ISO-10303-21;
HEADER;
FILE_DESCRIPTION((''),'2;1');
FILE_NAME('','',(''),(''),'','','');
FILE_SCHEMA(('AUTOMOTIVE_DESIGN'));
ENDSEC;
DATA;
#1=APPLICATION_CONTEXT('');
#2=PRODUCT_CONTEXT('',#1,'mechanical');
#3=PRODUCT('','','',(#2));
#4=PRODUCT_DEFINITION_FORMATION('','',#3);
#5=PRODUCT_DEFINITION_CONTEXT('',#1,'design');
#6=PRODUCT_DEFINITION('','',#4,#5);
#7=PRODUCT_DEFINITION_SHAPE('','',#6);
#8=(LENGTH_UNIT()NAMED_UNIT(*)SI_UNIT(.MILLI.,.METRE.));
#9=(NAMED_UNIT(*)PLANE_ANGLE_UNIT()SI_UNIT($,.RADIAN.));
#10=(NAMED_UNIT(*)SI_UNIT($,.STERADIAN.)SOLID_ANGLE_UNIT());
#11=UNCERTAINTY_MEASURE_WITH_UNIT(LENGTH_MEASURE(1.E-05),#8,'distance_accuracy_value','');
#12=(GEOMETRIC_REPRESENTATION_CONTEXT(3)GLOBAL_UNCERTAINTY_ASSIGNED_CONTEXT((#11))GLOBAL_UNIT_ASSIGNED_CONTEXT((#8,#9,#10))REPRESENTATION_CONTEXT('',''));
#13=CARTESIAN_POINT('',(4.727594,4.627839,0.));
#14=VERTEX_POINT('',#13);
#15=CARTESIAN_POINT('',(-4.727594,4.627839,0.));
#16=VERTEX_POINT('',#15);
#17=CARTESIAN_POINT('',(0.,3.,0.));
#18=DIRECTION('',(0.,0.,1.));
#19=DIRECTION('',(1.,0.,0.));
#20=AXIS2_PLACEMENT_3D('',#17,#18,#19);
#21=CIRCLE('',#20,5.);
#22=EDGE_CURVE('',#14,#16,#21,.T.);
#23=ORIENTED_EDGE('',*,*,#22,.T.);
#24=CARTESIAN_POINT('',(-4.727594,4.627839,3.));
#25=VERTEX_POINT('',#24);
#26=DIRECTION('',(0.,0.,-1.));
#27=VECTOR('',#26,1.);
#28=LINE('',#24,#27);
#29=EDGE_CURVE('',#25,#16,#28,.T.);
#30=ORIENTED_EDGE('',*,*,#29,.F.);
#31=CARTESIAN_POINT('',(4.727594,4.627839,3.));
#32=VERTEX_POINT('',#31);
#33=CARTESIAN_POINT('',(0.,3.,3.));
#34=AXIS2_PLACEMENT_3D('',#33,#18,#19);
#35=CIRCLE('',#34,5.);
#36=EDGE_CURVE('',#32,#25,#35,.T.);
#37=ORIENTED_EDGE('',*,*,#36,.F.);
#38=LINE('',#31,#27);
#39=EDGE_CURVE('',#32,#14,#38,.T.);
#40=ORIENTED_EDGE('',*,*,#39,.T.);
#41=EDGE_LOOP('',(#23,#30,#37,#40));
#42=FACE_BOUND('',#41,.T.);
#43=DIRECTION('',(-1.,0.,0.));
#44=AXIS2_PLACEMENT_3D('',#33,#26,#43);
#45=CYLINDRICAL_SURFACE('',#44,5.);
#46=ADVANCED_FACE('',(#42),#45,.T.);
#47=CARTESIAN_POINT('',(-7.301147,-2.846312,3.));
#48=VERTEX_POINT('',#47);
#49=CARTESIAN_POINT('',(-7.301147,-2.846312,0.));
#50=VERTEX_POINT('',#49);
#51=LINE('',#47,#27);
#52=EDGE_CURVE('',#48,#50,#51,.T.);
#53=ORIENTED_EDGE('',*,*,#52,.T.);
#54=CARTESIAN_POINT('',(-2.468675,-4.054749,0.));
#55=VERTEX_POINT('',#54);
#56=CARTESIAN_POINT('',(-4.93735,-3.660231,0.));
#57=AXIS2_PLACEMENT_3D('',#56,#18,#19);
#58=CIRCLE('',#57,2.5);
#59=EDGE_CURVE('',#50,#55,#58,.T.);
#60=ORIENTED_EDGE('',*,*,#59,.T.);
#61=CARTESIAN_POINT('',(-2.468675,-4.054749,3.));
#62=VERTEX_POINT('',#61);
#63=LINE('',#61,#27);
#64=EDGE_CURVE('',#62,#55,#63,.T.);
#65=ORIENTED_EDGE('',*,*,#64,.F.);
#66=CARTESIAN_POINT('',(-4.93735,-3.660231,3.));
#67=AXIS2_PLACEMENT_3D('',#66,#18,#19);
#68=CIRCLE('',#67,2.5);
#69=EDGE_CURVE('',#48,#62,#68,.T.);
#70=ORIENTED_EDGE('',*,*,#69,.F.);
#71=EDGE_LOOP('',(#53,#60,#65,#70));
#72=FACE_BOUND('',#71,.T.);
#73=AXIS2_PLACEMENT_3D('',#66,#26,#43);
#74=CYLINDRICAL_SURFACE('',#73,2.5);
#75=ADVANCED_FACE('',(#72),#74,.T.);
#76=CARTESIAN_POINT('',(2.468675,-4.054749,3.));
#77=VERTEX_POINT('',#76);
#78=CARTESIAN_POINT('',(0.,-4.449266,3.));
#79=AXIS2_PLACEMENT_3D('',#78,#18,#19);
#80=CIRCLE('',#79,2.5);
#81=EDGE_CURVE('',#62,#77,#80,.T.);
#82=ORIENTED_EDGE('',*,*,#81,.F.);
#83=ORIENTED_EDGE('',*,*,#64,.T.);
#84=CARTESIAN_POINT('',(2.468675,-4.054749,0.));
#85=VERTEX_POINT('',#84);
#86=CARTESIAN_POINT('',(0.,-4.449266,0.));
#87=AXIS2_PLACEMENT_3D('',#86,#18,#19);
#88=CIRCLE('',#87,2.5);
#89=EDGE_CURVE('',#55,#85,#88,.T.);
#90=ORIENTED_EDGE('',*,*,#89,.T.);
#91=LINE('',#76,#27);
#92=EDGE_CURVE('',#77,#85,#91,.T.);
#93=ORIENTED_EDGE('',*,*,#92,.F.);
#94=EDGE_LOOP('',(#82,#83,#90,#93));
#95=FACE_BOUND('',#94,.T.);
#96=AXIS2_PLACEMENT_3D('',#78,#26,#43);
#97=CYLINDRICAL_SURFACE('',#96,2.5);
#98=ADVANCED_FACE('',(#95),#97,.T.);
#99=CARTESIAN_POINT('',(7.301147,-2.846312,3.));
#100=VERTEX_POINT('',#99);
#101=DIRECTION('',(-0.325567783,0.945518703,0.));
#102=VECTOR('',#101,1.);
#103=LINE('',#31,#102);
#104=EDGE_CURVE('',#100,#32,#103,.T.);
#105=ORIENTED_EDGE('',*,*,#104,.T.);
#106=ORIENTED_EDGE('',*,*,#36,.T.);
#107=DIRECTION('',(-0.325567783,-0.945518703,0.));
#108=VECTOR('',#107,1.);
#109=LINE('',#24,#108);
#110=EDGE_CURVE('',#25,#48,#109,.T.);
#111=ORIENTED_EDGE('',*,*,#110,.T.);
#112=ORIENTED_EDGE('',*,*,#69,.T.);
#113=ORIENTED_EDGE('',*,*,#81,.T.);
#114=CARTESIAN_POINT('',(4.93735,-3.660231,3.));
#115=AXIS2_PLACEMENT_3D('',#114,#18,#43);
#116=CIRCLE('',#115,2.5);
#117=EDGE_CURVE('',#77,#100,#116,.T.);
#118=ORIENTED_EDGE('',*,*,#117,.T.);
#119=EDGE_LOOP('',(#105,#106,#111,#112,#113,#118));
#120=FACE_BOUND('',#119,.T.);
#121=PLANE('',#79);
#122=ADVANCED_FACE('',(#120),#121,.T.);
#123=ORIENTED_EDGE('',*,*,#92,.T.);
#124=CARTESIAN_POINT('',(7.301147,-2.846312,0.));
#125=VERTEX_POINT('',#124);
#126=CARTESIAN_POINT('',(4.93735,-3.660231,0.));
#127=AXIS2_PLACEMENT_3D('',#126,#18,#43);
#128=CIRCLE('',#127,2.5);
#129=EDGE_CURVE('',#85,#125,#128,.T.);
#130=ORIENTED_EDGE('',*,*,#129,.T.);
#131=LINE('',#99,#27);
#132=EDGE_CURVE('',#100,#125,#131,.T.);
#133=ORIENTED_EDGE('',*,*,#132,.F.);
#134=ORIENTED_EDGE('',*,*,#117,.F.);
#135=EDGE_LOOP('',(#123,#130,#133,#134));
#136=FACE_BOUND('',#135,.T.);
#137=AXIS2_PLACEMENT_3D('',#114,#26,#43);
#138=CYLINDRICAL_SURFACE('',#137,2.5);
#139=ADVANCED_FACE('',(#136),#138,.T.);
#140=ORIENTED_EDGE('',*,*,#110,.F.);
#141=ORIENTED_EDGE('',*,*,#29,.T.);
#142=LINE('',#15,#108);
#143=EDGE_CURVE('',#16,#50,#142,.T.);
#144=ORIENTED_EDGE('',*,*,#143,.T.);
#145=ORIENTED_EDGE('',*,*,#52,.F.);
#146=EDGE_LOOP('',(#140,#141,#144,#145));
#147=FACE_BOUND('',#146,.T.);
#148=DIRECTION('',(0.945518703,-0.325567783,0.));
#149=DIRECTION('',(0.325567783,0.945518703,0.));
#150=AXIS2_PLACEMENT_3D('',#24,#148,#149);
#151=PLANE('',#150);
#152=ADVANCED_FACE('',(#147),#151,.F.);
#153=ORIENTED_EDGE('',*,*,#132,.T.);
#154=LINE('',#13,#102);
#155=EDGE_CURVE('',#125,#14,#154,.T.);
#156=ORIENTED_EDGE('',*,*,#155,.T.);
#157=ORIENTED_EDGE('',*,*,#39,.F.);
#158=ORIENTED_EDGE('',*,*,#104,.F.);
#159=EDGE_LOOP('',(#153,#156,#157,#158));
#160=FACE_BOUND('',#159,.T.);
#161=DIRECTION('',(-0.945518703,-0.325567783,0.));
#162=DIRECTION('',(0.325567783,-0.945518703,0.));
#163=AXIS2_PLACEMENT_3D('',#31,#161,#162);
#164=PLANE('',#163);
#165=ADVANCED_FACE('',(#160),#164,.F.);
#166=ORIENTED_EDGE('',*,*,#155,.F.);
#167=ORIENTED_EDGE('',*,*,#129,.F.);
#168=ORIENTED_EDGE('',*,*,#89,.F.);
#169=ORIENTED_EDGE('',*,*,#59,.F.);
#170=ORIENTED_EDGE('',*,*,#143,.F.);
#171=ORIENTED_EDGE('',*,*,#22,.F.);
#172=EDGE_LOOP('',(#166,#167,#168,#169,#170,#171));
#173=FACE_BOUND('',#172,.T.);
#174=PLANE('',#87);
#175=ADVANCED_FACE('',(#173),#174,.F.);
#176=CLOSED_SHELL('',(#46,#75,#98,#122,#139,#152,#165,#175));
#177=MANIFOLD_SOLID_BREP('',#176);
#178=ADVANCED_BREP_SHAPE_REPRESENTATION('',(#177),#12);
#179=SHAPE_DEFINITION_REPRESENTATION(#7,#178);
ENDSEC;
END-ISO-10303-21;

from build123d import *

# Parameters (mm, degrees)
SALIENTE_EXTRUIR1_DEPTH = 3


with BuildPart() as part:
    # Croquis1 → Saliente-Extruir1 (new body)
    with BuildSketch(Plane.XY):
        with BuildLine():
            Line((-4.727593517, 4.627838916), (-7.301146697, -2.846311758))
            ThreePointArc((-7.301146697, -2.846311758), (-5.543839597, -6.085549813), (-2.468674969, -4.054748512))
            ThreePointArc((-2.468674969, -4.054748512), (0, -6.949265807), (2.468674969, -4.054748512))
            ThreePointArc((2.468674969, -4.054748512), (5.543839597, -6.085549813), (7.301146697, -2.846311758))
            Line((7.301146697, -2.846311758), (4.727593517, 4.627838916))
            ThreePointArc((4.727593517, 4.627838916), (0, 8), (-4.727593517, 4.627838916))
        make_face()
    extrude(amount=SALIENTE_EXTRUIR1_DEPTH)


solid = part.part
